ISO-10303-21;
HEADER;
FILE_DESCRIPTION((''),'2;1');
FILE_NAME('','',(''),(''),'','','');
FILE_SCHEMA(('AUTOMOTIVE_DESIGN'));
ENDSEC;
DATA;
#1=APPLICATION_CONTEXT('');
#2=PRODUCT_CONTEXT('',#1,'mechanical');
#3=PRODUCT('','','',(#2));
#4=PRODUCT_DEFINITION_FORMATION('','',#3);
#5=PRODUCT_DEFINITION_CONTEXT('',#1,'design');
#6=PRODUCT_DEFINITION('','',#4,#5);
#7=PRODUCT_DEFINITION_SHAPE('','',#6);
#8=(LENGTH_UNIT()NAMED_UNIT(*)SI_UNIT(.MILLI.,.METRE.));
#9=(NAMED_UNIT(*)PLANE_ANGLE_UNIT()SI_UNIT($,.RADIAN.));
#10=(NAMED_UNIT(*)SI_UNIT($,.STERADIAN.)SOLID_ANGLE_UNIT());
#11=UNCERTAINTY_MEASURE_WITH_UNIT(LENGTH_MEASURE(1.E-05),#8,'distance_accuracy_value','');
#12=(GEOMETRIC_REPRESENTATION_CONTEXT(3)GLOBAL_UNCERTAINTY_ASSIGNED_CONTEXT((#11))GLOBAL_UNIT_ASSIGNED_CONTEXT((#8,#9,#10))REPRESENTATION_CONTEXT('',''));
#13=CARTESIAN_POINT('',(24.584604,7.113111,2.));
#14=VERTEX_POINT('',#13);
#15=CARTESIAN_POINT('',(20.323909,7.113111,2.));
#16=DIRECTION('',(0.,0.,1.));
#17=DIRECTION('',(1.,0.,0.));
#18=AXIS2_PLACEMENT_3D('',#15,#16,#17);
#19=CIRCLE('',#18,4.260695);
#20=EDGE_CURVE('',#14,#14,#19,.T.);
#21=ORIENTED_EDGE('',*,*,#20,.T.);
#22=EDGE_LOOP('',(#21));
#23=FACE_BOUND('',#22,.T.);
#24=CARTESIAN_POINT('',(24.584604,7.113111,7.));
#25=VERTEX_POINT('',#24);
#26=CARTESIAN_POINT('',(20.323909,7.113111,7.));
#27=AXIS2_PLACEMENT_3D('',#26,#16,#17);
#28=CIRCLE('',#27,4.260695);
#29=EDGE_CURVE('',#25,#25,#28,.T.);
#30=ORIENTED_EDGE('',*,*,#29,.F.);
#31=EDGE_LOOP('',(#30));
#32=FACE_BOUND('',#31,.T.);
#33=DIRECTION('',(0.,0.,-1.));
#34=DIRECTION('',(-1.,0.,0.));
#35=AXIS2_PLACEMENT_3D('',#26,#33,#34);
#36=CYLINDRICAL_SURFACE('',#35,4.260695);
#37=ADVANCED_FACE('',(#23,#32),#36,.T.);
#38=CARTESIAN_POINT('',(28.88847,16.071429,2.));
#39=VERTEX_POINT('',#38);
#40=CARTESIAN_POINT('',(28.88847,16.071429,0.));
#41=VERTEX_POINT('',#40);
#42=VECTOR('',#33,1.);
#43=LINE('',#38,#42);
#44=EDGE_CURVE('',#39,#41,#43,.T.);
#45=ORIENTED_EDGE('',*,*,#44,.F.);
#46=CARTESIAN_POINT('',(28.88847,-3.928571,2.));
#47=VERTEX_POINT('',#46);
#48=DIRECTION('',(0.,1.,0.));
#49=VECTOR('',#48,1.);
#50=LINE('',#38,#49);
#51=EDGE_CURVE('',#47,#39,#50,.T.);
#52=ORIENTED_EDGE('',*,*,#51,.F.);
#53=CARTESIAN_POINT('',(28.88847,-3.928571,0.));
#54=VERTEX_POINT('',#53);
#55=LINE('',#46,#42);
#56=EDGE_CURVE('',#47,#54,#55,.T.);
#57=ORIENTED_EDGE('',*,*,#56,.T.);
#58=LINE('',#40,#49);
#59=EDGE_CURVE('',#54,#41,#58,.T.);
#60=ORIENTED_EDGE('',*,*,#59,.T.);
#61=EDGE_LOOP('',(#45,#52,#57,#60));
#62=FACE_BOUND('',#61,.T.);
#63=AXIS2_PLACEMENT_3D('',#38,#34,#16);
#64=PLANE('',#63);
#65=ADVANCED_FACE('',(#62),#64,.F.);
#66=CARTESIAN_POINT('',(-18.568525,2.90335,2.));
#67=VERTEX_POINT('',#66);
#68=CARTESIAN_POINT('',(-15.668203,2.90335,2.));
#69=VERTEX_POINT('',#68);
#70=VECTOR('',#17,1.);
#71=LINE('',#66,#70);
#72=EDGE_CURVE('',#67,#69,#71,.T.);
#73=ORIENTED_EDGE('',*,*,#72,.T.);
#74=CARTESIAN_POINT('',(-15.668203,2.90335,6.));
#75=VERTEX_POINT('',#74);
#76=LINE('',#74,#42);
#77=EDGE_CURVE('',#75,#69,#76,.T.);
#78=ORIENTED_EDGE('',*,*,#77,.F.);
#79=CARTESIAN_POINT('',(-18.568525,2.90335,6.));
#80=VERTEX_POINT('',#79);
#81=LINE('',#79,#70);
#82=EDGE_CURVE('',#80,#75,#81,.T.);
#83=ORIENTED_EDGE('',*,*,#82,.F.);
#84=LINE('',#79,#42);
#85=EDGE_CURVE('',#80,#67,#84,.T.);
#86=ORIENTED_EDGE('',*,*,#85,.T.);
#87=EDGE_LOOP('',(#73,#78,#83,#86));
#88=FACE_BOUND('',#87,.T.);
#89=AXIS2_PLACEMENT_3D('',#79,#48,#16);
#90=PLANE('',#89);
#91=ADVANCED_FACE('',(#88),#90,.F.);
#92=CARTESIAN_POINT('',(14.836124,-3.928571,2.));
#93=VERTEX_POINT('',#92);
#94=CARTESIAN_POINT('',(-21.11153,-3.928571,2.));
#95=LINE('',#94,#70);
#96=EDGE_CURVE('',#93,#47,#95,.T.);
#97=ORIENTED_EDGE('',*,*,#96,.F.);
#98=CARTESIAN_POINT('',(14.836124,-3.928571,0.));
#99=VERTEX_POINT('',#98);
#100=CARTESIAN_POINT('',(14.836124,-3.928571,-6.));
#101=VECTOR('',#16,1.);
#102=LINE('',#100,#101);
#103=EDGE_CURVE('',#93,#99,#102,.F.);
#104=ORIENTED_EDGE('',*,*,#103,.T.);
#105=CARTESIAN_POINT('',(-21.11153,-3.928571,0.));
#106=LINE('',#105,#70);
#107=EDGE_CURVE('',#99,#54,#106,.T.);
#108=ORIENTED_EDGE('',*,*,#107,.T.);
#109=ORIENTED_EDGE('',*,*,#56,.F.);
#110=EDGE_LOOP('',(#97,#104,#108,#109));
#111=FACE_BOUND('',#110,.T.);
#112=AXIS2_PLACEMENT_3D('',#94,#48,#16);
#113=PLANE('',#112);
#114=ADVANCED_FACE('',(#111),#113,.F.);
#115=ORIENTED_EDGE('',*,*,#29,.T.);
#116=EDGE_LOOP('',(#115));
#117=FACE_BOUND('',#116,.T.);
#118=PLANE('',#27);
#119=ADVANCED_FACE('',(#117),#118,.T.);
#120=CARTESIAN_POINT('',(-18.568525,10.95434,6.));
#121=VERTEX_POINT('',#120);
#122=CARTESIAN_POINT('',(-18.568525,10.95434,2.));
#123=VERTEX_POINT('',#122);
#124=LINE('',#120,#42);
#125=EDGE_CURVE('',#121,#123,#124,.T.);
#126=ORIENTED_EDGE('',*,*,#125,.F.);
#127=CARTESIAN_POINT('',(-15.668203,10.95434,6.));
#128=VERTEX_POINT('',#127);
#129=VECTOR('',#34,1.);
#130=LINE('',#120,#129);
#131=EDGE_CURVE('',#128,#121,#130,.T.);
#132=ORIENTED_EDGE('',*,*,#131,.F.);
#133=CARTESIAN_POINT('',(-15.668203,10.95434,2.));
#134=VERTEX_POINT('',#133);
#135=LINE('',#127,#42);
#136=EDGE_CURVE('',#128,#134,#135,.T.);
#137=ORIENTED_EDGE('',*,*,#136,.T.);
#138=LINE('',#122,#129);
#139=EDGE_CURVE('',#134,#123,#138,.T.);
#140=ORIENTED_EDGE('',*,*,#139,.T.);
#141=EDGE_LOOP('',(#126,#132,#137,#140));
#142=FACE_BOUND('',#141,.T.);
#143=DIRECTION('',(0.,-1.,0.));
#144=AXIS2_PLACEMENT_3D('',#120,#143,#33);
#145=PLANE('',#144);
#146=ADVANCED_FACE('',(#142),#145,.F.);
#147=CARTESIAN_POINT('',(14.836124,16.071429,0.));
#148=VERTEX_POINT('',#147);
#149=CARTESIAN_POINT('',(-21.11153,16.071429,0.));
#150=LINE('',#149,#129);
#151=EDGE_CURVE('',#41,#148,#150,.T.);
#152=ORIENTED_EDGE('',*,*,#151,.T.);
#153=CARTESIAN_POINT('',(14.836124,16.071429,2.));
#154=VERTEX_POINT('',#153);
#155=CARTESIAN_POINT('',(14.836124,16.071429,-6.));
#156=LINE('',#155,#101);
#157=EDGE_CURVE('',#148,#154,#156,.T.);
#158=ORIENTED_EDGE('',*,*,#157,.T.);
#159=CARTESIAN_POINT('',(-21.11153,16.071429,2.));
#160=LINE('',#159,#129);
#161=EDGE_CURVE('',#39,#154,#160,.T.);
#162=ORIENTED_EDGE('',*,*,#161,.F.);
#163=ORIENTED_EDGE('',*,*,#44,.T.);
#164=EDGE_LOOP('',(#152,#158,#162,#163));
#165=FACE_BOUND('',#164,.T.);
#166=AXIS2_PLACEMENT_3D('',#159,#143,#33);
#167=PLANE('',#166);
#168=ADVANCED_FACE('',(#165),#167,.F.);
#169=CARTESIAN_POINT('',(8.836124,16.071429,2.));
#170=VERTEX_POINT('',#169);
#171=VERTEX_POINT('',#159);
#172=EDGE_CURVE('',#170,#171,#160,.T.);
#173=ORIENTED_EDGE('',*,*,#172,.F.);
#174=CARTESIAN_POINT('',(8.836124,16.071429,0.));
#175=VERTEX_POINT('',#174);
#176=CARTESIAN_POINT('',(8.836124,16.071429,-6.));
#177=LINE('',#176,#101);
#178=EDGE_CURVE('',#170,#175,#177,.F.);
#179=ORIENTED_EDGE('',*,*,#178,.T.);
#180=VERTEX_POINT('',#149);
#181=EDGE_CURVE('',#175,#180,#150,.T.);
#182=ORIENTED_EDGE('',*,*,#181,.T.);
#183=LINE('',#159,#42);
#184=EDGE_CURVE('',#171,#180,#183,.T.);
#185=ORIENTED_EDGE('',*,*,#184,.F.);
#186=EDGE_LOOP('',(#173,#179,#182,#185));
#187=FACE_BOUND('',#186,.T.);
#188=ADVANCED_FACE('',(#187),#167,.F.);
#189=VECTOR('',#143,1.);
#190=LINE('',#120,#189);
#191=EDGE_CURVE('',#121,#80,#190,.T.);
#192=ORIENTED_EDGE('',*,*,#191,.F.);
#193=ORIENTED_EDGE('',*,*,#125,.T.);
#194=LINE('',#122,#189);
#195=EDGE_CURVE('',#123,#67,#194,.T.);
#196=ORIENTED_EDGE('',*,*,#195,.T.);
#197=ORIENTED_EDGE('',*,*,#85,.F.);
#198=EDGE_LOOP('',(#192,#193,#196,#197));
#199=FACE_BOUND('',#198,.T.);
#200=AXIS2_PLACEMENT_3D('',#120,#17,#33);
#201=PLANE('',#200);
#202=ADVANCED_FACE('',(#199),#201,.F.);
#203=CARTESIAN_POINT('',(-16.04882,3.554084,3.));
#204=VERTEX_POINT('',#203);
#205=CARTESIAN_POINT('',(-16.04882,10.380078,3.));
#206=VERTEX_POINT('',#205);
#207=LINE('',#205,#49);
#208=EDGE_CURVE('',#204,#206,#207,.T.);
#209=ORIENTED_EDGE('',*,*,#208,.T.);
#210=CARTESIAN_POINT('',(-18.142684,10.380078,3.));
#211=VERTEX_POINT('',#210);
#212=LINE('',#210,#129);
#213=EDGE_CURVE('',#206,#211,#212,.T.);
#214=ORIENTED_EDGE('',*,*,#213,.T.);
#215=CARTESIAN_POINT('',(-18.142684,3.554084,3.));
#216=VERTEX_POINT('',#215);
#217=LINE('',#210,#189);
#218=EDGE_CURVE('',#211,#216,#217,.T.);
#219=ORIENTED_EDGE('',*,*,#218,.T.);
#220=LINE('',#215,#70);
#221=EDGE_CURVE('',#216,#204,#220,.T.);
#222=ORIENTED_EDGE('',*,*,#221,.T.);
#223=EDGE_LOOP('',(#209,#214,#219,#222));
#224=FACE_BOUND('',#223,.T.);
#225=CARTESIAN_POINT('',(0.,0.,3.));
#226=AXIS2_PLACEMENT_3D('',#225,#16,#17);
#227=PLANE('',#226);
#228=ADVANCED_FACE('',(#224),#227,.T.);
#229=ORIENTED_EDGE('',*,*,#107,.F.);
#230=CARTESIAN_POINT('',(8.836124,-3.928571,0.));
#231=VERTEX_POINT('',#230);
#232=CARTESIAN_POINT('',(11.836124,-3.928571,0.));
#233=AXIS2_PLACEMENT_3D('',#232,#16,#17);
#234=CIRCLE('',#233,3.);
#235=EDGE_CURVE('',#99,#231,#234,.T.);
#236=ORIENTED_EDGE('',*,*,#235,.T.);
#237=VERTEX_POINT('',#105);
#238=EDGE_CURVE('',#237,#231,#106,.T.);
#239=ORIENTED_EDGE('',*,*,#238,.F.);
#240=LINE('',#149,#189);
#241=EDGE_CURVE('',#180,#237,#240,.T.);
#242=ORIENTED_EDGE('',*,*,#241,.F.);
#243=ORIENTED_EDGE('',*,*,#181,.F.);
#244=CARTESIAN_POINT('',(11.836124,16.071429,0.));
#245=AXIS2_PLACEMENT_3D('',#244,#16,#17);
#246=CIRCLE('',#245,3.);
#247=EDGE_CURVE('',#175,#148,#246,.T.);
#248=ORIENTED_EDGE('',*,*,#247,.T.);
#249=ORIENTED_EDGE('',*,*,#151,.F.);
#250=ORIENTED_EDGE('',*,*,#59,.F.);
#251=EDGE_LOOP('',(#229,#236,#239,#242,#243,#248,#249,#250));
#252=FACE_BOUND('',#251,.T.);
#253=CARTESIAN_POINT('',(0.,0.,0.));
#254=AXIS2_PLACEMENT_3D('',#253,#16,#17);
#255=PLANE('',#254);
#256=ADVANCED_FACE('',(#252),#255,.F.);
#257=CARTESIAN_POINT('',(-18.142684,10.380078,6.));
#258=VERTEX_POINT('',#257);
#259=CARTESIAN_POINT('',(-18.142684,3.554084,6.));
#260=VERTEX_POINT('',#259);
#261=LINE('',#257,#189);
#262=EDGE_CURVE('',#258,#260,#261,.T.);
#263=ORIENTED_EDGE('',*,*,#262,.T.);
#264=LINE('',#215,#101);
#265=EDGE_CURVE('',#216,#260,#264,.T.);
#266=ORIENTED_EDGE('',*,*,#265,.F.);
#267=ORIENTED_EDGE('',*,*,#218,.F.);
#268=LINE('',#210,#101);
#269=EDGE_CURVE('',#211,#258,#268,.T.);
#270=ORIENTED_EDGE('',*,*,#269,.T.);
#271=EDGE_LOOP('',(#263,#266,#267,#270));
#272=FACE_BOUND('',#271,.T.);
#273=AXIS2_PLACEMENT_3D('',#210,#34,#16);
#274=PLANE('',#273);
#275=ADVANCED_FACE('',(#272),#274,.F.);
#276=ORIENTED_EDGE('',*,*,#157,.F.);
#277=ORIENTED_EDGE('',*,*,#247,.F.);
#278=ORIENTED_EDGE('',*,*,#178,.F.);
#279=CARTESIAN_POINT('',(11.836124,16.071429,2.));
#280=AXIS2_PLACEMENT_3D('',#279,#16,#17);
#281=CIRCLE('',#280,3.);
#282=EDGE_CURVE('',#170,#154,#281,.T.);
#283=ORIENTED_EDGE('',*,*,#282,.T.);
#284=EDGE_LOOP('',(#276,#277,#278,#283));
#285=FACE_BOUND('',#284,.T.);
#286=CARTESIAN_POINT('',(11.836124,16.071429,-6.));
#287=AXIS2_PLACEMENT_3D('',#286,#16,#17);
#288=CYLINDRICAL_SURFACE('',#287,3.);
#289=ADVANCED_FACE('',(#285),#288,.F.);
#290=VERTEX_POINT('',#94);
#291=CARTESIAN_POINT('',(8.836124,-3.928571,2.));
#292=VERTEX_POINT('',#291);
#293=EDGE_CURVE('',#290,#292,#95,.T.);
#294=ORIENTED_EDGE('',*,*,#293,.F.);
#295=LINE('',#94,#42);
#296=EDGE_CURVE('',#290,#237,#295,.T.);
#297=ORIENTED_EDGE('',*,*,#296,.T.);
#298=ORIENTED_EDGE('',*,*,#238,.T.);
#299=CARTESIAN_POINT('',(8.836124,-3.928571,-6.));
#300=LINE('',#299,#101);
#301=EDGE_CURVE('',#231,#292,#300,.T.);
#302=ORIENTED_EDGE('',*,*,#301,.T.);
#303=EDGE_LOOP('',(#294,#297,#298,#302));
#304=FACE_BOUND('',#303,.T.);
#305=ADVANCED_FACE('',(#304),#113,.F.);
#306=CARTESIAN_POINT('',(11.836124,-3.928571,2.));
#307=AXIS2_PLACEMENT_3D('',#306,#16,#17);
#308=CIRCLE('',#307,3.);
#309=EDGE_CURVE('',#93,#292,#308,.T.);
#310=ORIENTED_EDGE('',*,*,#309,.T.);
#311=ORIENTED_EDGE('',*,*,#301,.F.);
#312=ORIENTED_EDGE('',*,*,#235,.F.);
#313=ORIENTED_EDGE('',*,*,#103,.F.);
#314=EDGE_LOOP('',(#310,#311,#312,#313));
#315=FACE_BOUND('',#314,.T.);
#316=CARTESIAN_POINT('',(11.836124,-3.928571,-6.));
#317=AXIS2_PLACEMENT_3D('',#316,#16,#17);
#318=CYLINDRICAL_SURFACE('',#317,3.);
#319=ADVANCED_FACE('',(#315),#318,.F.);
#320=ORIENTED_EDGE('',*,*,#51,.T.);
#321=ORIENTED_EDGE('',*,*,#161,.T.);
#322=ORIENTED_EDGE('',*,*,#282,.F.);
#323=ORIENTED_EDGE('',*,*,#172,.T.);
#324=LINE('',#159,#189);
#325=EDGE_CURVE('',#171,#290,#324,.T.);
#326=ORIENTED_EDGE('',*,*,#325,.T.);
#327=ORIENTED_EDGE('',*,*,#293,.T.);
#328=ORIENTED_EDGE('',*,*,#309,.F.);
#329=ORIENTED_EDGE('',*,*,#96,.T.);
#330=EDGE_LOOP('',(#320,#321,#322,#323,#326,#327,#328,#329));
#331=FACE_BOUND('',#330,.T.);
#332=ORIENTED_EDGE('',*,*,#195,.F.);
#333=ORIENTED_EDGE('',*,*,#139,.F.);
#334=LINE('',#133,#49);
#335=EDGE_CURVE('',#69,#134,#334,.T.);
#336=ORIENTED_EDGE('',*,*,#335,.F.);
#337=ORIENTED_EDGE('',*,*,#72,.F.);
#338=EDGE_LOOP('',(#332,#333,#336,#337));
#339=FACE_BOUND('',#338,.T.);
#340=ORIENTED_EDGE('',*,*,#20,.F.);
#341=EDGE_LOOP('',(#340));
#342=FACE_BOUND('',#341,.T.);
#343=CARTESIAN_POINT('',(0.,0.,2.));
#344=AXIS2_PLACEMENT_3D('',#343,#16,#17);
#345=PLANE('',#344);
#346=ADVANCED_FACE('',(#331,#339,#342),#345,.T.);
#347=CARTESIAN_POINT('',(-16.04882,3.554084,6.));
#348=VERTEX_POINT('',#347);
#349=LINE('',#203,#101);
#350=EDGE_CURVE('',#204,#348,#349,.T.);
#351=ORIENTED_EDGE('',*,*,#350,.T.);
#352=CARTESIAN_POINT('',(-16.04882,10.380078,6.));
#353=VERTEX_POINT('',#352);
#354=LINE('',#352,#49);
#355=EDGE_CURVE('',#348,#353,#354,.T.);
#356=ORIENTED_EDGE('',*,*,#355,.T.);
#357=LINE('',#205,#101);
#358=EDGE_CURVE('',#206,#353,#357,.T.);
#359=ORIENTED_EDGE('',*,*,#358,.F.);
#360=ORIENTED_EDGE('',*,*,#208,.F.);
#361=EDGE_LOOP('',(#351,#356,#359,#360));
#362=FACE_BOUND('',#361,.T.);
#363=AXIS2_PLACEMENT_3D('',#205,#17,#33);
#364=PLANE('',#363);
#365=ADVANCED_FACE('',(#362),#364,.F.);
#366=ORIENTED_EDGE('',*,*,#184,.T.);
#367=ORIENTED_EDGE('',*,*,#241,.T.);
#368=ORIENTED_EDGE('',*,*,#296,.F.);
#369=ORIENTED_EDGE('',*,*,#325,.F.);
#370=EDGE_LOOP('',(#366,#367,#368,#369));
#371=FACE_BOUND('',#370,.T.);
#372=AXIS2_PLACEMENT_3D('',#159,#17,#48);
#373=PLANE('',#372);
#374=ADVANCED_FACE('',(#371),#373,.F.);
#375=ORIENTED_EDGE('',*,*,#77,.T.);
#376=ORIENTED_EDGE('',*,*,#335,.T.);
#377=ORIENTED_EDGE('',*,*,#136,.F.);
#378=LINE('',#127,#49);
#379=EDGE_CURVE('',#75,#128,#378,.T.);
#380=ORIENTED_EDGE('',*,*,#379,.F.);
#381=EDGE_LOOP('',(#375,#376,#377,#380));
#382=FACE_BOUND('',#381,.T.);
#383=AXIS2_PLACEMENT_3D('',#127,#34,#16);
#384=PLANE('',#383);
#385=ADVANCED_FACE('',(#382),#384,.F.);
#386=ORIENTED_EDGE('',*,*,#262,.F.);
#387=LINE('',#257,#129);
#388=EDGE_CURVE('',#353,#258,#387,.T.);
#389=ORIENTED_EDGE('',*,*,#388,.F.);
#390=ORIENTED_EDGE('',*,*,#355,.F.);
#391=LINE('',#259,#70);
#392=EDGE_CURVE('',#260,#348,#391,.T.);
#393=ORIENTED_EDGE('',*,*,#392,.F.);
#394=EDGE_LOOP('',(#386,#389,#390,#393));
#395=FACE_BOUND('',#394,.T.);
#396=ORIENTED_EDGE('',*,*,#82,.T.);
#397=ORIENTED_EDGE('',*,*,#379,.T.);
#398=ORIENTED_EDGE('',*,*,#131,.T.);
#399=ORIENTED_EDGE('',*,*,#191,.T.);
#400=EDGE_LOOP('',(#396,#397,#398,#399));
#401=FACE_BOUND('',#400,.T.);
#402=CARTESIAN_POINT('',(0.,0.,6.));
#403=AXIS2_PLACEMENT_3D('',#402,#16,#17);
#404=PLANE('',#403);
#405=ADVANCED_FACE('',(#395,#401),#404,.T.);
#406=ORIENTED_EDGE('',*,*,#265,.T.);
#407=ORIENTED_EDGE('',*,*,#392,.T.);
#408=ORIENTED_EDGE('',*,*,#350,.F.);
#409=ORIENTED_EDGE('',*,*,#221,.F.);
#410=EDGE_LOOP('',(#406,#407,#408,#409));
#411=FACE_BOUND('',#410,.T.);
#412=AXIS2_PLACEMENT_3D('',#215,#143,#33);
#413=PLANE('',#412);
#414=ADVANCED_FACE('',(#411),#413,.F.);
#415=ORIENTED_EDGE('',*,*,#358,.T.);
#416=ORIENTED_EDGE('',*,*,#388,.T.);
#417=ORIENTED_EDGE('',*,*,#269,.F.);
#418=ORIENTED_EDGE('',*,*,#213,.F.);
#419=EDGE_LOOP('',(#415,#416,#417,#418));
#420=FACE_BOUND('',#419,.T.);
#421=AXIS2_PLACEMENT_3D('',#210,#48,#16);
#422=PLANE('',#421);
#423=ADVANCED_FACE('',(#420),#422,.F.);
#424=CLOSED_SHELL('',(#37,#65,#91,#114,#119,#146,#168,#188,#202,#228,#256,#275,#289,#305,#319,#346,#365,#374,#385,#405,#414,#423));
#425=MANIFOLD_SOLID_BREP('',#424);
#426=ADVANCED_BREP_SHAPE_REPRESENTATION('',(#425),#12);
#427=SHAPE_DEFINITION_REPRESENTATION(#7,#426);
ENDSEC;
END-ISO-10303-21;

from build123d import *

# Parameters (mm, degrees)
ESQUISSE1_W             = 50
ESQUISSE1_H             = 20
BOSS_EXTRU_1_DEPTH      = 2
ESQUISSE2_R             = 4.260694663
BOSS_EXTRU_2_DEPTH      = 5
ESQUISSE3_R             = 3
ENL_V_MAT_EXTRU_1_DEPTH = 8
ESQUISSE4_W             = 2.90032215
ESQUISSE4_H             = 8.050990352
BOSS_EXTRU_3_DEPTH      = 4
ESQUISSE5_W             = 2.093863404
ESQUISSE5_H             = 6.825994699
ENL_V_MAT_EXTRU_2_DEPTH = 3


with BuildPart() as part:
    # Esquisse1 → Boss.-Extru.1 (new body)
    with BuildSketch(Plane.XY):
        with Locations((3.888470464, 6.071428571)):
            Rectangle(ESQUISSE1_W, ESQUISSE1_H)
    extrude(amount=BOSS_EXTRU_1_DEPTH)

    # Esquisse2 → Boss.-Extru.2 (add)
    with BuildSketch(Plane.XY.offset(2)):
        with Locations((20.32390926, 7.113111312)):
            Circle(ESQUISSE2_R)
    extrude(amount=BOSS_EXTRU_2_DEPTH)

    # Esquisse3 → Enlèv. mat.-Extru.1 (cut)
    with BuildSketch(Plane.XY.offset(2)):
        with Locations((11.836123966, 16.071428571)):
            Circle(ESQUISSE3_R)
        with Locations((11.836123966, -3.928571429)):
            Circle(ESQUISSE3_R)
    extrude(amount=-ENL_V_MAT_EXTRU_1_DEPTH, mode=Mode.SUBTRACT)

    # Esquisse4 → Boss.-Extru.3 (add)
    with BuildSketch(Plane.XY.offset(2)):
        with Locations((-17.118363615, 6.928845047)):
            Rectangle(ESQUISSE4_W, ESQUISSE4_H)
    extrude(amount=BOSS_EXTRU_3_DEPTH)

    # Esquisse5 → Enlèv. mat.-Extru.2 (cut)
    with BuildSketch(Plane.XY.offset(6)):
        with Locations((-17.095752138, 6.967080934)):
            Rectangle(ESQUISSE5_W, ESQUISSE5_H)
    extrude(amount=-ENL_V_MAT_EXTRU_2_DEPTH, mode=Mode.SUBTRACT)


solid = part.part
